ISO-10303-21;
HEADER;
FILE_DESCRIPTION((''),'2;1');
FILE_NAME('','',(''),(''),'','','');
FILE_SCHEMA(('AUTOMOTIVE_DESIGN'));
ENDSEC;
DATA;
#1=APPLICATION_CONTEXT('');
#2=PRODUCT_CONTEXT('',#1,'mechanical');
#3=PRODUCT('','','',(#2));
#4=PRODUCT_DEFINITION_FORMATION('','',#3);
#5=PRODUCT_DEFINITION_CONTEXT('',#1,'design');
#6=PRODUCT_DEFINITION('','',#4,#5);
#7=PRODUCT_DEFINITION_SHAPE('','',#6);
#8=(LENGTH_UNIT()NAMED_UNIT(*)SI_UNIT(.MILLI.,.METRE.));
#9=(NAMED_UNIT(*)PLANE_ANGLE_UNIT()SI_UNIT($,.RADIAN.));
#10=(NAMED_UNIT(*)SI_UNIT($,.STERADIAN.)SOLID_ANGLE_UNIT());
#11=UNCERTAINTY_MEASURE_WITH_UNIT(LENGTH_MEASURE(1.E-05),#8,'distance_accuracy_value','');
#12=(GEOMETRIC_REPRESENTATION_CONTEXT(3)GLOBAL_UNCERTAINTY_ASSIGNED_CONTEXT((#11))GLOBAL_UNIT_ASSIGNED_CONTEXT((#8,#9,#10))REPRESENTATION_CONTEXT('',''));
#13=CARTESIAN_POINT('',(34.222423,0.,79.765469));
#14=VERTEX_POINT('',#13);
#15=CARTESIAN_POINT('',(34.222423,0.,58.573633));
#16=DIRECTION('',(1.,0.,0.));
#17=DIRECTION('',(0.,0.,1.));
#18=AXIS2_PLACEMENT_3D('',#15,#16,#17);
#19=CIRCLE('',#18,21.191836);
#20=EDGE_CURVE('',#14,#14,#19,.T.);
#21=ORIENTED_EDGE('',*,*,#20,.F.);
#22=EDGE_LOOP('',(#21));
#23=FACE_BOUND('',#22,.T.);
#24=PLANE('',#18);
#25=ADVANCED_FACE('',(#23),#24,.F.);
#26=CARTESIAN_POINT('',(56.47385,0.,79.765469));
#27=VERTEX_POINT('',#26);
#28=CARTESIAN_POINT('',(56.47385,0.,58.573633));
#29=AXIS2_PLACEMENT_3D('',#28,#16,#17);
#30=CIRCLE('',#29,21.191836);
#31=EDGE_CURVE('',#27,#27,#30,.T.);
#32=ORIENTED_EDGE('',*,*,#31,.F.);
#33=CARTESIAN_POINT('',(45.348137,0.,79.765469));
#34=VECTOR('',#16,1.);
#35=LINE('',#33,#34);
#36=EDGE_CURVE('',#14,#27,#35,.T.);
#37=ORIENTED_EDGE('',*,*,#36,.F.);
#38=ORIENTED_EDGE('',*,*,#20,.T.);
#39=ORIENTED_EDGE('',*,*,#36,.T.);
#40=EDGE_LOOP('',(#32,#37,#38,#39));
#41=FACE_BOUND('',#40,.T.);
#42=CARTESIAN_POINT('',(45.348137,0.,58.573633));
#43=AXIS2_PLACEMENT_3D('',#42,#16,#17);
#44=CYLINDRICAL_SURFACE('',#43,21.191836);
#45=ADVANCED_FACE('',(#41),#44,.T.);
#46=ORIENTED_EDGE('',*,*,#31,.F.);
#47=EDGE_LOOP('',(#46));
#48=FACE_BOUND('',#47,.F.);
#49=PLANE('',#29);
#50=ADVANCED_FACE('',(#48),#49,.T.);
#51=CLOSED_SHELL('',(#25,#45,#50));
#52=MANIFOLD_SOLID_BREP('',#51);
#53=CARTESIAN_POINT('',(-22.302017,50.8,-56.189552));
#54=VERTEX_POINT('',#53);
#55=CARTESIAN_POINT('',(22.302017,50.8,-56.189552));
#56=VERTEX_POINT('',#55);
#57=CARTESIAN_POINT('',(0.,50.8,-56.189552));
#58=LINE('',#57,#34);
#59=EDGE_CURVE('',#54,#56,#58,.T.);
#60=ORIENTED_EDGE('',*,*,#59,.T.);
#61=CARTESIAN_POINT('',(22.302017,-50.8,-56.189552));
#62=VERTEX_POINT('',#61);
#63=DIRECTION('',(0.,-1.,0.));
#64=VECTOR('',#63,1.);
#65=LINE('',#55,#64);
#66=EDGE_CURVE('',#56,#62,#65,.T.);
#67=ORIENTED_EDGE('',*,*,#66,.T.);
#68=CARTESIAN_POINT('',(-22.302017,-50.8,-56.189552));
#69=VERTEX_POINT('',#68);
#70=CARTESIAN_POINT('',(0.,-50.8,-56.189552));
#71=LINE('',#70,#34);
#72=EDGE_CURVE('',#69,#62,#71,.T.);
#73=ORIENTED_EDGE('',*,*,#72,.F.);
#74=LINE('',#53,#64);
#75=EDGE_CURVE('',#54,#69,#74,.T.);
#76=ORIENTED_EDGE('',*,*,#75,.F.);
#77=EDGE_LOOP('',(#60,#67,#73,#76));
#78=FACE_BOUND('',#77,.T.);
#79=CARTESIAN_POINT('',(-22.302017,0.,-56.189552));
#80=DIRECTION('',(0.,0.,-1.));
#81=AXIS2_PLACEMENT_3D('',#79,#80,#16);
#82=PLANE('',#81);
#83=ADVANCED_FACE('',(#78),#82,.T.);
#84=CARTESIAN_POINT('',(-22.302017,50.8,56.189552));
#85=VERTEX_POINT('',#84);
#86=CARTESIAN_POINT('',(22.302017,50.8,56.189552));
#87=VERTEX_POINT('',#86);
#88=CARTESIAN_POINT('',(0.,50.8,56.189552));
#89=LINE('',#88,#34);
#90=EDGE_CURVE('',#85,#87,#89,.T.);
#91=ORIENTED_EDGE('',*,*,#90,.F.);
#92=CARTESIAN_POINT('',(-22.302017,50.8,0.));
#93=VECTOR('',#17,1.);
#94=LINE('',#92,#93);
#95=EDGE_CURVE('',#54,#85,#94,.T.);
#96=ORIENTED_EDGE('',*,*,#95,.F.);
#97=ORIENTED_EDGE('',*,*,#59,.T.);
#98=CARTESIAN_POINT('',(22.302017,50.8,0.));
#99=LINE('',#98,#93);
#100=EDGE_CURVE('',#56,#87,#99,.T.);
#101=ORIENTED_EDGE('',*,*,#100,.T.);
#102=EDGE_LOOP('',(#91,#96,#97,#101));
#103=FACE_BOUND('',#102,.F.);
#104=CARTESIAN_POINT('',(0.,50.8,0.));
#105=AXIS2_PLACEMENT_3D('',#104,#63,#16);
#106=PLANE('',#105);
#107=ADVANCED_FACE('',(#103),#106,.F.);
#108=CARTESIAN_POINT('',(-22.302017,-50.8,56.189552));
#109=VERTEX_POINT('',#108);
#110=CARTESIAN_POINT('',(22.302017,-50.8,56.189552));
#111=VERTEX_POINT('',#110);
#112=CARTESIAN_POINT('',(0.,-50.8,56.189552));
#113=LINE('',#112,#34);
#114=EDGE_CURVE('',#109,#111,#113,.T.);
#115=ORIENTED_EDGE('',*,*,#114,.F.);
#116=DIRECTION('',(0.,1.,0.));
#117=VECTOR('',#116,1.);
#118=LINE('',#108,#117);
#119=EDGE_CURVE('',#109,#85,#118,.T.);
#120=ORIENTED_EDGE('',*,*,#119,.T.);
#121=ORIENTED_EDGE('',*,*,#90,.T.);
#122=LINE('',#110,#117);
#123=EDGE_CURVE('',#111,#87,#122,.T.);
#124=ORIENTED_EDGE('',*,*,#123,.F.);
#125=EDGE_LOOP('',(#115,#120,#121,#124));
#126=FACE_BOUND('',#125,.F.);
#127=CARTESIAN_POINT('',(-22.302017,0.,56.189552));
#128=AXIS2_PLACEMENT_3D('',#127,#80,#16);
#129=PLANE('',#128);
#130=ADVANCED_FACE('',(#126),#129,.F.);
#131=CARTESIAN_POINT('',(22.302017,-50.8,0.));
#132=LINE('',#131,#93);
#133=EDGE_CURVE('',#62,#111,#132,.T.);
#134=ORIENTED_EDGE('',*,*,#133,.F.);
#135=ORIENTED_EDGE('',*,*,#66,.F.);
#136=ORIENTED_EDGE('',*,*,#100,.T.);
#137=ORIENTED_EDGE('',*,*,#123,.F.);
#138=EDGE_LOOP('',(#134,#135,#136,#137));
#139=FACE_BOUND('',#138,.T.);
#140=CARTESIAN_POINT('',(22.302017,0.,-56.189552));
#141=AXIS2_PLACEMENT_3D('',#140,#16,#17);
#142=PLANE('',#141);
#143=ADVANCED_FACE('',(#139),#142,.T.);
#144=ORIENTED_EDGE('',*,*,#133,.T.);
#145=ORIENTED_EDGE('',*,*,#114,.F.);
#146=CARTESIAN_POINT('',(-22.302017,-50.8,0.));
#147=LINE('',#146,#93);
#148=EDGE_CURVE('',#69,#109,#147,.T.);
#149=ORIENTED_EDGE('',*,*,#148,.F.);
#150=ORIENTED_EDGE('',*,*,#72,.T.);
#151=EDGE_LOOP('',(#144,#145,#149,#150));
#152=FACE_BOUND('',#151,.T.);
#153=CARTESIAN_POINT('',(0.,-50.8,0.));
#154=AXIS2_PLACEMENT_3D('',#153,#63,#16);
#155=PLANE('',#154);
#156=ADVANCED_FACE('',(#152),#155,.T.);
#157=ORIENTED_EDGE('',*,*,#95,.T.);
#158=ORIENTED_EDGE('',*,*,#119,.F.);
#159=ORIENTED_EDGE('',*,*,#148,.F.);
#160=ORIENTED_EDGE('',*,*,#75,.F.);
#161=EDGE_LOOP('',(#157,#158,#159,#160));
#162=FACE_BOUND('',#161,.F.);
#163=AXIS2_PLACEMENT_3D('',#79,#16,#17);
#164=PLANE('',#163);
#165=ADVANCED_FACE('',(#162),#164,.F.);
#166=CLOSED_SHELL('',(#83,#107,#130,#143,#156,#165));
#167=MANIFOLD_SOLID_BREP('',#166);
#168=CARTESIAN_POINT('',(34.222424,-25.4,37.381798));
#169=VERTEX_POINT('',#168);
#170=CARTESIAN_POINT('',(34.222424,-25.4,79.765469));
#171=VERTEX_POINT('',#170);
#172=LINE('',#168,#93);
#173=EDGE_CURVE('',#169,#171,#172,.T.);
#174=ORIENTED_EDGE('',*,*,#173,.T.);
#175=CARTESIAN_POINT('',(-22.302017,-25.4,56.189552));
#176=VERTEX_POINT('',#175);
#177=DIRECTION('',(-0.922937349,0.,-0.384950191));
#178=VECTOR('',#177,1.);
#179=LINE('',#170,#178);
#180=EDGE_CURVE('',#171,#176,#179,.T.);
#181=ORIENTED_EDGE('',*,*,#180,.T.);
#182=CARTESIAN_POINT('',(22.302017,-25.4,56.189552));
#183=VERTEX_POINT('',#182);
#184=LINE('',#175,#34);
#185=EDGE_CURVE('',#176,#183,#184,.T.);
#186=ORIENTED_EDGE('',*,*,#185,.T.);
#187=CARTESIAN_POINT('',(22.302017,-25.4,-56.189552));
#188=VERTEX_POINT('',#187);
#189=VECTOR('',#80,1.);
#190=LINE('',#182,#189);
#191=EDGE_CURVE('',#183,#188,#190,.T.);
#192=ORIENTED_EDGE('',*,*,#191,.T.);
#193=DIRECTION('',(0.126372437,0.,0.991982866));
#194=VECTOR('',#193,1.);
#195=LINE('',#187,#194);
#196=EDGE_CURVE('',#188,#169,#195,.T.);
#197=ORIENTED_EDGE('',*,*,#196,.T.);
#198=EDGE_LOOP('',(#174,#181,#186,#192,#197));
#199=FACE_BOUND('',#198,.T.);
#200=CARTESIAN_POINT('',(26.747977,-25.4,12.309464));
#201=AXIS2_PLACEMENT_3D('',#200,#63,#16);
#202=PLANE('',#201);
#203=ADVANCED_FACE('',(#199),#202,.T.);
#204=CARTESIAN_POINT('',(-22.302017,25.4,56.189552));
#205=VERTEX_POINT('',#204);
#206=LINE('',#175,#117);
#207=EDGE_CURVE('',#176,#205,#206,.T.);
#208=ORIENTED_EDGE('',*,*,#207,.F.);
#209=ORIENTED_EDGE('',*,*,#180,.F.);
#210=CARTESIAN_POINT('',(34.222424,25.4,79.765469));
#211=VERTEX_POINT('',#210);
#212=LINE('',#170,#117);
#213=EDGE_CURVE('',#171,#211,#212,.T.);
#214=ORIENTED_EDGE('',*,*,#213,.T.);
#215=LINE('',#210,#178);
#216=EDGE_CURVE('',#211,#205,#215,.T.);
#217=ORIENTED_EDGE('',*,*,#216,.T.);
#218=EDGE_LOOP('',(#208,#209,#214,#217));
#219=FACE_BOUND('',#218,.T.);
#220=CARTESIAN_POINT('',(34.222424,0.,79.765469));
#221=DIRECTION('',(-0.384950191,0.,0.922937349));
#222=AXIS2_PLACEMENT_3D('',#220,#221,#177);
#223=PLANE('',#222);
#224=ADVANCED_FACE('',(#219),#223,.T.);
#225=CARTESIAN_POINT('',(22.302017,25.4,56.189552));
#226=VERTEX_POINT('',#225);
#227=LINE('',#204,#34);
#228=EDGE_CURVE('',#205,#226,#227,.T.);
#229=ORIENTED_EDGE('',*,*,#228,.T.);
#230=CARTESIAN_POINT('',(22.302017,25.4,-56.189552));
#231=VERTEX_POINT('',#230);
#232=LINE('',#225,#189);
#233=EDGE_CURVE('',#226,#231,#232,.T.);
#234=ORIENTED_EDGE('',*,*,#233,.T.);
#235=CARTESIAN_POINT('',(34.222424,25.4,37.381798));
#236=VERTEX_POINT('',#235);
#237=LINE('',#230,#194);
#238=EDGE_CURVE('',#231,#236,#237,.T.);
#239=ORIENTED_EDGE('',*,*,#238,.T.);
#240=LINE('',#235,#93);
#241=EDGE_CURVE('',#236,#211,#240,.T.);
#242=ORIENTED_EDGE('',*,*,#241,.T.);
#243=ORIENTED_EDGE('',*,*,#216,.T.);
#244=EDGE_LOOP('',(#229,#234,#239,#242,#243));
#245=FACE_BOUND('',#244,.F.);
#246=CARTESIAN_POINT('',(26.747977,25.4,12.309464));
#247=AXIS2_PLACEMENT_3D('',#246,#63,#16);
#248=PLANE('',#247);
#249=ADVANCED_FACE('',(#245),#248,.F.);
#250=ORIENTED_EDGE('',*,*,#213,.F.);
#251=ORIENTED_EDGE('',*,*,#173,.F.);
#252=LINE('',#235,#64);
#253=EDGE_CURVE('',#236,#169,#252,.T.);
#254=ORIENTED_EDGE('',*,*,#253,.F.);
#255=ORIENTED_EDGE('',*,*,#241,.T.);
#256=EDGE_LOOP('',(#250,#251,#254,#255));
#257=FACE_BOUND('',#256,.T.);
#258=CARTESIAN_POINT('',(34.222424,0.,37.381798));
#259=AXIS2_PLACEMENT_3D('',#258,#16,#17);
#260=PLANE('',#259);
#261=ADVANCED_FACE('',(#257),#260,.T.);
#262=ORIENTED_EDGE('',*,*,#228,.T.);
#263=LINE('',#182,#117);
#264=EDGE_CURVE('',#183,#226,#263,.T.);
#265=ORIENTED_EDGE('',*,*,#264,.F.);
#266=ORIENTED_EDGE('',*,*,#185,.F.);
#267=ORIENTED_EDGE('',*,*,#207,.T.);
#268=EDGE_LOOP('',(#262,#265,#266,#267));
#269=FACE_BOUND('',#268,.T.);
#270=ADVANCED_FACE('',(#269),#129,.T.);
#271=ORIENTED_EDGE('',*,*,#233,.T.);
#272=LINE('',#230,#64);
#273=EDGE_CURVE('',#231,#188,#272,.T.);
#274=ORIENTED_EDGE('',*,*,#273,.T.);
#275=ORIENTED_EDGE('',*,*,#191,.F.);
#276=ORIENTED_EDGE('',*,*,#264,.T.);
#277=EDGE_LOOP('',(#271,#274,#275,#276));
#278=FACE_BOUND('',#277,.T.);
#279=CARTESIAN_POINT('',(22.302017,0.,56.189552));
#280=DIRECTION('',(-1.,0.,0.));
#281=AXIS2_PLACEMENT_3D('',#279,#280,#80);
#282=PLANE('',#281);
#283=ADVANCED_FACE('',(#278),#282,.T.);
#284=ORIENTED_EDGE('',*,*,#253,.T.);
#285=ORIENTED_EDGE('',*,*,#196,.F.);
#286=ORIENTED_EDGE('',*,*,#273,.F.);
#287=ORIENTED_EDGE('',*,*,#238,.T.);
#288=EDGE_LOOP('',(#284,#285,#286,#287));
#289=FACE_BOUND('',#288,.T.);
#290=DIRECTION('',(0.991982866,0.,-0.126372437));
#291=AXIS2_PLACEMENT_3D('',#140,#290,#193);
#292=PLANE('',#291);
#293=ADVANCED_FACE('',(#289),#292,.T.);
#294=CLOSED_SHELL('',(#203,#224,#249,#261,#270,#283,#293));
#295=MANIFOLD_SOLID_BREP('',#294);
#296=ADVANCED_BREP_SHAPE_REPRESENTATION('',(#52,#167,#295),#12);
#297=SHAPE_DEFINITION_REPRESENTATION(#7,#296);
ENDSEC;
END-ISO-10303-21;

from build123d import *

# Parameters (mm, degrees)
F0_W     = 44.604034
F0_H     = 112.379104
F1_DEPTH = 50.8
F0_W_2   = 22.251427
F0_H_2   = 21.191836
F3_DEPTH = 25.4


with BuildPart() as f1:
    # F0 (on Front) → F1 (new body, symmetric)
    with BuildSketch(Plane.XZ):
        Rectangle(F0_W, F0_H)
    extrude(amount=F1_DEPTH, both=True)


with BuildPart() as f2:
    # F0 (on Front) → F2 (revolve)
    with BuildSketch(Plane.XZ):
        with Locations((45.348137, 69.169551)):
            Rectangle(F0_W_2, F0_H_2)
    revolve(axis=Axis((45.348138, 0, 58.573633), (1, 0, 0)))


with BuildPart() as f3:
    # F0 (on Front) → F3 (new body, symmetric)
    with BuildSketch(Plane.XZ):
        Polygon((34.222424, 79.765469), (22.302017, 56.189552), (22.302017, -56.189552), (34.222424, 37.381798), (34.222424, 58.573633), align=None)
        Polygon((-22.302017, 56.189552), (22.302017, 56.189552), (34.222424, 79.765469), align=None)
    extrude(amount=F3_DEPTH, both=True)


solid = Compound([f1.part, f2.part, f3.part])
